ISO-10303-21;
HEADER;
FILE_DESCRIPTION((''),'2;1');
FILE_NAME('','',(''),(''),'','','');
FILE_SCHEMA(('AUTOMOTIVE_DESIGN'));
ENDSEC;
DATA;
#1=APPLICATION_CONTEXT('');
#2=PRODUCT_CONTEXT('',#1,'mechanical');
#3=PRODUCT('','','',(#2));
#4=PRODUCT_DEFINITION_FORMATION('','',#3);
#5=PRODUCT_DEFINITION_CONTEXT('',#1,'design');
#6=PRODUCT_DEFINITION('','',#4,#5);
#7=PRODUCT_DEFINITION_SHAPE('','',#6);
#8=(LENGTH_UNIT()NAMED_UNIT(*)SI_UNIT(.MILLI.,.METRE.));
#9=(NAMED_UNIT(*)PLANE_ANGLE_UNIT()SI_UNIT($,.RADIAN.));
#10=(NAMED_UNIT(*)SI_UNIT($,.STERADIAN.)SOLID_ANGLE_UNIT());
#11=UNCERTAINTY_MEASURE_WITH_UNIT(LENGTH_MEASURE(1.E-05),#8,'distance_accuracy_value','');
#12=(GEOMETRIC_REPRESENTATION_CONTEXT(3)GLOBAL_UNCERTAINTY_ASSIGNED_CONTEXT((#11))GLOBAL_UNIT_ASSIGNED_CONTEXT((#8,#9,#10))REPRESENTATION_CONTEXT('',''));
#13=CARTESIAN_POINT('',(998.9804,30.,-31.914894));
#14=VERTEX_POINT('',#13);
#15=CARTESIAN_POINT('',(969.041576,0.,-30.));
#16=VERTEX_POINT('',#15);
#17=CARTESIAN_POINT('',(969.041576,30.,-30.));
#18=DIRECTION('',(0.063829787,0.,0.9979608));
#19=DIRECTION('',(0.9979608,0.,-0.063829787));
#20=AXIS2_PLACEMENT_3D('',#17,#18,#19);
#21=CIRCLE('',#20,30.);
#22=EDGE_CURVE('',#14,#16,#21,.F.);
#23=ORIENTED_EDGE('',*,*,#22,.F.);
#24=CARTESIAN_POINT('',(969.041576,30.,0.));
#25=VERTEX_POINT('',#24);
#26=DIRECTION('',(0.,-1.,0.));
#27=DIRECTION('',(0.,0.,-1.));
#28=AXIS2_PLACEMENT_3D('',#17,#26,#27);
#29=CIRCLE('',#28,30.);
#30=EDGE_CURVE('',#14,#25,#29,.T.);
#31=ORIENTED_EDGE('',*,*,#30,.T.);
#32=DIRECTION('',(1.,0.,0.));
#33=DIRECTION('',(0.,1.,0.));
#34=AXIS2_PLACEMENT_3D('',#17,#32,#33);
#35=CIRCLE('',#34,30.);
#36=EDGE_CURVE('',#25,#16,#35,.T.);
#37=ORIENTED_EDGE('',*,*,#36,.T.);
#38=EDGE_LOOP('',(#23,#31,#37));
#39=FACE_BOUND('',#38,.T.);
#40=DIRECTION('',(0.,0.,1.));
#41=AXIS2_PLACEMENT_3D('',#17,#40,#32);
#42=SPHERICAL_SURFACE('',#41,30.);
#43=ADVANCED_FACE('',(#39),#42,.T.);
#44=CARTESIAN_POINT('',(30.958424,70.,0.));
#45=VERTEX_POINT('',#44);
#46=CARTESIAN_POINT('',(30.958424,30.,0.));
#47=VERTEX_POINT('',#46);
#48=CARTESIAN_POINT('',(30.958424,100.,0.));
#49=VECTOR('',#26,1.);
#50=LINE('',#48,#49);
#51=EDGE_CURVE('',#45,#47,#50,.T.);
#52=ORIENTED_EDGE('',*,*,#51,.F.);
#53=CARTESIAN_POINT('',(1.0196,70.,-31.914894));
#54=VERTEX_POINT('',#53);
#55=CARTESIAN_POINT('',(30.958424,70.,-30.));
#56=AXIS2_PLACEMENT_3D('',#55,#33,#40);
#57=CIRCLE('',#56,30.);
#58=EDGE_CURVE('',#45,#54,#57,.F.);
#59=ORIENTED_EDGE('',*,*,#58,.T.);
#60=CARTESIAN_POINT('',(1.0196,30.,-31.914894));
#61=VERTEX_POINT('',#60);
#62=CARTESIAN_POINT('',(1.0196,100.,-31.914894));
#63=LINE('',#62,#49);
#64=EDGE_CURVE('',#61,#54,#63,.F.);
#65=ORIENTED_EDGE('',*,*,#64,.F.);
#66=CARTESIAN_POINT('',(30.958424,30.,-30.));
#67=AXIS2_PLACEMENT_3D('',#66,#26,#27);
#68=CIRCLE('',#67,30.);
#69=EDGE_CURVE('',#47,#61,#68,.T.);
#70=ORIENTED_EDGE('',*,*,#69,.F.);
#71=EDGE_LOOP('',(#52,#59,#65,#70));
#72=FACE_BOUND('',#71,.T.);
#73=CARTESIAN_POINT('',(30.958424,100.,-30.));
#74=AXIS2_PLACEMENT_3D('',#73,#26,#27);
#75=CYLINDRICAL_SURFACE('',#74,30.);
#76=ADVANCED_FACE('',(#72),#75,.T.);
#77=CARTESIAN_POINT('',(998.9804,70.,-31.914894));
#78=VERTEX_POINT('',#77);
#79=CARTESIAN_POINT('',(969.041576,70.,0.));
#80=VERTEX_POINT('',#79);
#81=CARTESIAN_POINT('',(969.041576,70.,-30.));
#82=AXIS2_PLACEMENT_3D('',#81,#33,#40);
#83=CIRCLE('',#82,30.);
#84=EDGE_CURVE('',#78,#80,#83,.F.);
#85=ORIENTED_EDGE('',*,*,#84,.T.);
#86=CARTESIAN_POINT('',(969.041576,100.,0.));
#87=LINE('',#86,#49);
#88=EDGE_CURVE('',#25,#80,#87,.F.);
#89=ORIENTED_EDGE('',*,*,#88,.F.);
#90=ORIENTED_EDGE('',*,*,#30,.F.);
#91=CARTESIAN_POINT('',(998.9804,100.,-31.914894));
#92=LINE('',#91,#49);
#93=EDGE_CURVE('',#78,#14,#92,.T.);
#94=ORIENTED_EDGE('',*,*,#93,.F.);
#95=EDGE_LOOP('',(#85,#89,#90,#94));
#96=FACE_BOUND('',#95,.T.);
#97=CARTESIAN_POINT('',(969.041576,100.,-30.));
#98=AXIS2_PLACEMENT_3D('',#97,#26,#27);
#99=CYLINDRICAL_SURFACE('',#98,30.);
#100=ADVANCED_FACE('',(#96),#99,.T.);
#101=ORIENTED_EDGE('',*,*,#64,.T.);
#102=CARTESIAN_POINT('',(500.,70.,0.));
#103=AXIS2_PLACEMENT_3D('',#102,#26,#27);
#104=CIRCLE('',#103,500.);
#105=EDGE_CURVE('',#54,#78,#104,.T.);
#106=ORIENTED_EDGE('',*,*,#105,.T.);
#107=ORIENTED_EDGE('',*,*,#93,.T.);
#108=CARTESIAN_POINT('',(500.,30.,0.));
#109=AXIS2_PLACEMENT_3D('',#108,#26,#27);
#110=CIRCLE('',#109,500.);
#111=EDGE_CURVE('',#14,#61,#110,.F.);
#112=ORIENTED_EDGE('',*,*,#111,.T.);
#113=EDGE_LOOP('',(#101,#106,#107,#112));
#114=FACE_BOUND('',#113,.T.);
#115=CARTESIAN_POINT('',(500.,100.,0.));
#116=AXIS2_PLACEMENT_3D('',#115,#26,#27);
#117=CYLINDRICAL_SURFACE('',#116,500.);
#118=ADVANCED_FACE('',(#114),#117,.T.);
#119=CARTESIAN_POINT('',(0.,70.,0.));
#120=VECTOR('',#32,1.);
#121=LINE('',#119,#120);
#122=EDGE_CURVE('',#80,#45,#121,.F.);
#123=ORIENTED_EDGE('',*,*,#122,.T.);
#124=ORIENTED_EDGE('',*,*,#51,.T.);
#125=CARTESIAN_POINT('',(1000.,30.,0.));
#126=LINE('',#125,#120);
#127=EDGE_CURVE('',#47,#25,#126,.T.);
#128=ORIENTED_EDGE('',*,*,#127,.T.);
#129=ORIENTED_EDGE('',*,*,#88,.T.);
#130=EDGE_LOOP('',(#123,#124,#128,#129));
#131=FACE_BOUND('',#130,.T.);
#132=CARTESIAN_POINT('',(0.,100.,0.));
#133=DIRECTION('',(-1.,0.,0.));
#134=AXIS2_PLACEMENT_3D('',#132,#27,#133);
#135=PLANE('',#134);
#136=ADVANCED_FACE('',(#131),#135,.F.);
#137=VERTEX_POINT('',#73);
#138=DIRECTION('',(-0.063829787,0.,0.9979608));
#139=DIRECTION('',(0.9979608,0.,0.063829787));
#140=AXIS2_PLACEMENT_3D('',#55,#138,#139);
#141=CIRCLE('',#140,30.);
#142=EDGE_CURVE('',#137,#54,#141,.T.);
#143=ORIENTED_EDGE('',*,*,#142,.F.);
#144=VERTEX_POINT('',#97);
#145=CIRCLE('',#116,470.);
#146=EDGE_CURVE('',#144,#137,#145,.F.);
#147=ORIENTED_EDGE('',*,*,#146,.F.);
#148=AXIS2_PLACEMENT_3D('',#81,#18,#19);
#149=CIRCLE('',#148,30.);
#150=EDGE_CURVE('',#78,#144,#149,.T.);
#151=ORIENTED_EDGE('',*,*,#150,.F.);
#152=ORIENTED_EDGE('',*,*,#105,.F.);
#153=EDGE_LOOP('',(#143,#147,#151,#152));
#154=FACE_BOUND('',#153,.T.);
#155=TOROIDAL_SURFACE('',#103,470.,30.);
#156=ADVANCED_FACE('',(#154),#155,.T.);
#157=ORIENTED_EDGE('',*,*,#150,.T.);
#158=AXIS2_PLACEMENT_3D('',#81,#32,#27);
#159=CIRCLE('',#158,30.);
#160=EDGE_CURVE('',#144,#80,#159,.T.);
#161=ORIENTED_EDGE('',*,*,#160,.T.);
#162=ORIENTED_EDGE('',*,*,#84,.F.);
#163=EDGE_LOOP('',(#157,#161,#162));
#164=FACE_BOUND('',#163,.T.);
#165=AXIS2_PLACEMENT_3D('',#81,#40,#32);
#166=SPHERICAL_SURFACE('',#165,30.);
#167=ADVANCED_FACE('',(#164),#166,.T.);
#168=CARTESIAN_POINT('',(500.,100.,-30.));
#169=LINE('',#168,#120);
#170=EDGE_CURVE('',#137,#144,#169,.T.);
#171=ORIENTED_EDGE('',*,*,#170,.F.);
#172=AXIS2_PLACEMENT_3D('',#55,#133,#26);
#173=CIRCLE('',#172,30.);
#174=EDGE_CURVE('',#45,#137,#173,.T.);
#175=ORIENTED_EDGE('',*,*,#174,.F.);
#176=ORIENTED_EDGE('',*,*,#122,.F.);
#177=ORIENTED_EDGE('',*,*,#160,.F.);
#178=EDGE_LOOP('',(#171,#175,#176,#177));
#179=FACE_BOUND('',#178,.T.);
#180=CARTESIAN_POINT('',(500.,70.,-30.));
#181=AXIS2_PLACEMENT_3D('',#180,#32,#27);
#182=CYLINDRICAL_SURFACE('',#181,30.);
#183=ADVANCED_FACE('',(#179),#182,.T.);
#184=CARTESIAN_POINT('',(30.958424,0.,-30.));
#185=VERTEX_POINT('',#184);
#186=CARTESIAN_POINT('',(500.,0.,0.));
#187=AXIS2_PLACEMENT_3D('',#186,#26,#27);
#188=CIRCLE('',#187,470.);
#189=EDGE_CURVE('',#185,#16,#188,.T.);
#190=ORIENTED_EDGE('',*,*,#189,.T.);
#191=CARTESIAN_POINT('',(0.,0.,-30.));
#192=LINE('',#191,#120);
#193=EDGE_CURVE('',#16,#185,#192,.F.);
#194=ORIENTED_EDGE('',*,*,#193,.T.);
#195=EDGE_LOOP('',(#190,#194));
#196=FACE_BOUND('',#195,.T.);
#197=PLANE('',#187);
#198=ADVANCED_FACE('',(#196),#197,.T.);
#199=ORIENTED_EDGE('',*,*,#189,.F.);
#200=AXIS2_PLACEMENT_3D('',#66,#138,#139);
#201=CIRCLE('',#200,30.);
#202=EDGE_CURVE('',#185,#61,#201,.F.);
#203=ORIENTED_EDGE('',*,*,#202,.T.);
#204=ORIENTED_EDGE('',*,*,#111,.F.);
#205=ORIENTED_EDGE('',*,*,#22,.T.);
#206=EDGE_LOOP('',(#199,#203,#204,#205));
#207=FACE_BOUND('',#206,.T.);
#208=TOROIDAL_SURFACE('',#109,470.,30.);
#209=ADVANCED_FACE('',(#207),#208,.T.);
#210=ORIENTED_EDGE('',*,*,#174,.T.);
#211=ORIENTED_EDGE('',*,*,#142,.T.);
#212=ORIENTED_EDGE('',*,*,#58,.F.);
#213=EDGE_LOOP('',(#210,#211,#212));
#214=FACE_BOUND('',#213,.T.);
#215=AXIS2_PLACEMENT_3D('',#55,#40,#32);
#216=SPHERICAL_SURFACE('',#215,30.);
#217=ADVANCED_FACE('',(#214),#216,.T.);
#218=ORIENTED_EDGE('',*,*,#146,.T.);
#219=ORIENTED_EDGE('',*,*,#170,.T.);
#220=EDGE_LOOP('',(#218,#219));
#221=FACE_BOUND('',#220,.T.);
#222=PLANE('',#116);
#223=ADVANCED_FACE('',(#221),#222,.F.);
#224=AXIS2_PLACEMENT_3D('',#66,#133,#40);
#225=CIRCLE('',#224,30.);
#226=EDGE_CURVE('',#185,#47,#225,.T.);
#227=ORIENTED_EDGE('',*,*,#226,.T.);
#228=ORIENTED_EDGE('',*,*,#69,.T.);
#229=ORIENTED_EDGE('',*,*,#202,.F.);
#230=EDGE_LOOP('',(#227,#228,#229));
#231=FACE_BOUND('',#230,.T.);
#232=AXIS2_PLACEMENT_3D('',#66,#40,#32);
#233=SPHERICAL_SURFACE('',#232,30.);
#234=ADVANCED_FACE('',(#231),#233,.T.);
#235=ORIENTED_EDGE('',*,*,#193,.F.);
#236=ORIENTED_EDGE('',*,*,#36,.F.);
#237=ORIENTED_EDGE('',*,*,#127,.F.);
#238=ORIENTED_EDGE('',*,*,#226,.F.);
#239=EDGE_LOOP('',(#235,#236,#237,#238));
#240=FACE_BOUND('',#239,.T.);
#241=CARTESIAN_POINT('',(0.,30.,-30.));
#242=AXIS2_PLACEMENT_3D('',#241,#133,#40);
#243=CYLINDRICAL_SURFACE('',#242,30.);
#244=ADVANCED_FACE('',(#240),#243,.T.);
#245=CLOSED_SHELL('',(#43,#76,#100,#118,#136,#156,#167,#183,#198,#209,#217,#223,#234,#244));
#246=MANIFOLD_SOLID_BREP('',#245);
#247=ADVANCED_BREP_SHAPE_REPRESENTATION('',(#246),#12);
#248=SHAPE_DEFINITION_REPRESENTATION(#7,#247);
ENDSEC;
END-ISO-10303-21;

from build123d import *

# Parameters (mm, degrees)
BOSS_EXTRUDE1_DEPTH = 100
FILLET1_R           = 30


with BuildPart() as part:
    # Sketch1 → Boss-Extrude1 (new body)
    with BuildSketch(Plane(origin=(0, 0, 0), x_dir=(1, 0, 0), z_dir=(0, 1, 0))):
        with BuildLine():
            Line((0, 0), (1000, 0))
            ThreePointArc((1000, 0), (500, 500), (0, 0))
        make_face()
    extrude(amount=BOSS_EXTRUDE1_DEPTH)

    # Fillet1
    fillet1_edges = [part.edges().sort_by_distance(p)[0] for p in [
        (500, 0, 0),
        (500, 0, -500),
        (1000, 50, 0),
        (0, 50, 0),
        (500, 100, -500),
        (500, 100, 0),
    ]]
    fillet(fillet1_edges, radius=FILLET1_R)


solid = part.part
